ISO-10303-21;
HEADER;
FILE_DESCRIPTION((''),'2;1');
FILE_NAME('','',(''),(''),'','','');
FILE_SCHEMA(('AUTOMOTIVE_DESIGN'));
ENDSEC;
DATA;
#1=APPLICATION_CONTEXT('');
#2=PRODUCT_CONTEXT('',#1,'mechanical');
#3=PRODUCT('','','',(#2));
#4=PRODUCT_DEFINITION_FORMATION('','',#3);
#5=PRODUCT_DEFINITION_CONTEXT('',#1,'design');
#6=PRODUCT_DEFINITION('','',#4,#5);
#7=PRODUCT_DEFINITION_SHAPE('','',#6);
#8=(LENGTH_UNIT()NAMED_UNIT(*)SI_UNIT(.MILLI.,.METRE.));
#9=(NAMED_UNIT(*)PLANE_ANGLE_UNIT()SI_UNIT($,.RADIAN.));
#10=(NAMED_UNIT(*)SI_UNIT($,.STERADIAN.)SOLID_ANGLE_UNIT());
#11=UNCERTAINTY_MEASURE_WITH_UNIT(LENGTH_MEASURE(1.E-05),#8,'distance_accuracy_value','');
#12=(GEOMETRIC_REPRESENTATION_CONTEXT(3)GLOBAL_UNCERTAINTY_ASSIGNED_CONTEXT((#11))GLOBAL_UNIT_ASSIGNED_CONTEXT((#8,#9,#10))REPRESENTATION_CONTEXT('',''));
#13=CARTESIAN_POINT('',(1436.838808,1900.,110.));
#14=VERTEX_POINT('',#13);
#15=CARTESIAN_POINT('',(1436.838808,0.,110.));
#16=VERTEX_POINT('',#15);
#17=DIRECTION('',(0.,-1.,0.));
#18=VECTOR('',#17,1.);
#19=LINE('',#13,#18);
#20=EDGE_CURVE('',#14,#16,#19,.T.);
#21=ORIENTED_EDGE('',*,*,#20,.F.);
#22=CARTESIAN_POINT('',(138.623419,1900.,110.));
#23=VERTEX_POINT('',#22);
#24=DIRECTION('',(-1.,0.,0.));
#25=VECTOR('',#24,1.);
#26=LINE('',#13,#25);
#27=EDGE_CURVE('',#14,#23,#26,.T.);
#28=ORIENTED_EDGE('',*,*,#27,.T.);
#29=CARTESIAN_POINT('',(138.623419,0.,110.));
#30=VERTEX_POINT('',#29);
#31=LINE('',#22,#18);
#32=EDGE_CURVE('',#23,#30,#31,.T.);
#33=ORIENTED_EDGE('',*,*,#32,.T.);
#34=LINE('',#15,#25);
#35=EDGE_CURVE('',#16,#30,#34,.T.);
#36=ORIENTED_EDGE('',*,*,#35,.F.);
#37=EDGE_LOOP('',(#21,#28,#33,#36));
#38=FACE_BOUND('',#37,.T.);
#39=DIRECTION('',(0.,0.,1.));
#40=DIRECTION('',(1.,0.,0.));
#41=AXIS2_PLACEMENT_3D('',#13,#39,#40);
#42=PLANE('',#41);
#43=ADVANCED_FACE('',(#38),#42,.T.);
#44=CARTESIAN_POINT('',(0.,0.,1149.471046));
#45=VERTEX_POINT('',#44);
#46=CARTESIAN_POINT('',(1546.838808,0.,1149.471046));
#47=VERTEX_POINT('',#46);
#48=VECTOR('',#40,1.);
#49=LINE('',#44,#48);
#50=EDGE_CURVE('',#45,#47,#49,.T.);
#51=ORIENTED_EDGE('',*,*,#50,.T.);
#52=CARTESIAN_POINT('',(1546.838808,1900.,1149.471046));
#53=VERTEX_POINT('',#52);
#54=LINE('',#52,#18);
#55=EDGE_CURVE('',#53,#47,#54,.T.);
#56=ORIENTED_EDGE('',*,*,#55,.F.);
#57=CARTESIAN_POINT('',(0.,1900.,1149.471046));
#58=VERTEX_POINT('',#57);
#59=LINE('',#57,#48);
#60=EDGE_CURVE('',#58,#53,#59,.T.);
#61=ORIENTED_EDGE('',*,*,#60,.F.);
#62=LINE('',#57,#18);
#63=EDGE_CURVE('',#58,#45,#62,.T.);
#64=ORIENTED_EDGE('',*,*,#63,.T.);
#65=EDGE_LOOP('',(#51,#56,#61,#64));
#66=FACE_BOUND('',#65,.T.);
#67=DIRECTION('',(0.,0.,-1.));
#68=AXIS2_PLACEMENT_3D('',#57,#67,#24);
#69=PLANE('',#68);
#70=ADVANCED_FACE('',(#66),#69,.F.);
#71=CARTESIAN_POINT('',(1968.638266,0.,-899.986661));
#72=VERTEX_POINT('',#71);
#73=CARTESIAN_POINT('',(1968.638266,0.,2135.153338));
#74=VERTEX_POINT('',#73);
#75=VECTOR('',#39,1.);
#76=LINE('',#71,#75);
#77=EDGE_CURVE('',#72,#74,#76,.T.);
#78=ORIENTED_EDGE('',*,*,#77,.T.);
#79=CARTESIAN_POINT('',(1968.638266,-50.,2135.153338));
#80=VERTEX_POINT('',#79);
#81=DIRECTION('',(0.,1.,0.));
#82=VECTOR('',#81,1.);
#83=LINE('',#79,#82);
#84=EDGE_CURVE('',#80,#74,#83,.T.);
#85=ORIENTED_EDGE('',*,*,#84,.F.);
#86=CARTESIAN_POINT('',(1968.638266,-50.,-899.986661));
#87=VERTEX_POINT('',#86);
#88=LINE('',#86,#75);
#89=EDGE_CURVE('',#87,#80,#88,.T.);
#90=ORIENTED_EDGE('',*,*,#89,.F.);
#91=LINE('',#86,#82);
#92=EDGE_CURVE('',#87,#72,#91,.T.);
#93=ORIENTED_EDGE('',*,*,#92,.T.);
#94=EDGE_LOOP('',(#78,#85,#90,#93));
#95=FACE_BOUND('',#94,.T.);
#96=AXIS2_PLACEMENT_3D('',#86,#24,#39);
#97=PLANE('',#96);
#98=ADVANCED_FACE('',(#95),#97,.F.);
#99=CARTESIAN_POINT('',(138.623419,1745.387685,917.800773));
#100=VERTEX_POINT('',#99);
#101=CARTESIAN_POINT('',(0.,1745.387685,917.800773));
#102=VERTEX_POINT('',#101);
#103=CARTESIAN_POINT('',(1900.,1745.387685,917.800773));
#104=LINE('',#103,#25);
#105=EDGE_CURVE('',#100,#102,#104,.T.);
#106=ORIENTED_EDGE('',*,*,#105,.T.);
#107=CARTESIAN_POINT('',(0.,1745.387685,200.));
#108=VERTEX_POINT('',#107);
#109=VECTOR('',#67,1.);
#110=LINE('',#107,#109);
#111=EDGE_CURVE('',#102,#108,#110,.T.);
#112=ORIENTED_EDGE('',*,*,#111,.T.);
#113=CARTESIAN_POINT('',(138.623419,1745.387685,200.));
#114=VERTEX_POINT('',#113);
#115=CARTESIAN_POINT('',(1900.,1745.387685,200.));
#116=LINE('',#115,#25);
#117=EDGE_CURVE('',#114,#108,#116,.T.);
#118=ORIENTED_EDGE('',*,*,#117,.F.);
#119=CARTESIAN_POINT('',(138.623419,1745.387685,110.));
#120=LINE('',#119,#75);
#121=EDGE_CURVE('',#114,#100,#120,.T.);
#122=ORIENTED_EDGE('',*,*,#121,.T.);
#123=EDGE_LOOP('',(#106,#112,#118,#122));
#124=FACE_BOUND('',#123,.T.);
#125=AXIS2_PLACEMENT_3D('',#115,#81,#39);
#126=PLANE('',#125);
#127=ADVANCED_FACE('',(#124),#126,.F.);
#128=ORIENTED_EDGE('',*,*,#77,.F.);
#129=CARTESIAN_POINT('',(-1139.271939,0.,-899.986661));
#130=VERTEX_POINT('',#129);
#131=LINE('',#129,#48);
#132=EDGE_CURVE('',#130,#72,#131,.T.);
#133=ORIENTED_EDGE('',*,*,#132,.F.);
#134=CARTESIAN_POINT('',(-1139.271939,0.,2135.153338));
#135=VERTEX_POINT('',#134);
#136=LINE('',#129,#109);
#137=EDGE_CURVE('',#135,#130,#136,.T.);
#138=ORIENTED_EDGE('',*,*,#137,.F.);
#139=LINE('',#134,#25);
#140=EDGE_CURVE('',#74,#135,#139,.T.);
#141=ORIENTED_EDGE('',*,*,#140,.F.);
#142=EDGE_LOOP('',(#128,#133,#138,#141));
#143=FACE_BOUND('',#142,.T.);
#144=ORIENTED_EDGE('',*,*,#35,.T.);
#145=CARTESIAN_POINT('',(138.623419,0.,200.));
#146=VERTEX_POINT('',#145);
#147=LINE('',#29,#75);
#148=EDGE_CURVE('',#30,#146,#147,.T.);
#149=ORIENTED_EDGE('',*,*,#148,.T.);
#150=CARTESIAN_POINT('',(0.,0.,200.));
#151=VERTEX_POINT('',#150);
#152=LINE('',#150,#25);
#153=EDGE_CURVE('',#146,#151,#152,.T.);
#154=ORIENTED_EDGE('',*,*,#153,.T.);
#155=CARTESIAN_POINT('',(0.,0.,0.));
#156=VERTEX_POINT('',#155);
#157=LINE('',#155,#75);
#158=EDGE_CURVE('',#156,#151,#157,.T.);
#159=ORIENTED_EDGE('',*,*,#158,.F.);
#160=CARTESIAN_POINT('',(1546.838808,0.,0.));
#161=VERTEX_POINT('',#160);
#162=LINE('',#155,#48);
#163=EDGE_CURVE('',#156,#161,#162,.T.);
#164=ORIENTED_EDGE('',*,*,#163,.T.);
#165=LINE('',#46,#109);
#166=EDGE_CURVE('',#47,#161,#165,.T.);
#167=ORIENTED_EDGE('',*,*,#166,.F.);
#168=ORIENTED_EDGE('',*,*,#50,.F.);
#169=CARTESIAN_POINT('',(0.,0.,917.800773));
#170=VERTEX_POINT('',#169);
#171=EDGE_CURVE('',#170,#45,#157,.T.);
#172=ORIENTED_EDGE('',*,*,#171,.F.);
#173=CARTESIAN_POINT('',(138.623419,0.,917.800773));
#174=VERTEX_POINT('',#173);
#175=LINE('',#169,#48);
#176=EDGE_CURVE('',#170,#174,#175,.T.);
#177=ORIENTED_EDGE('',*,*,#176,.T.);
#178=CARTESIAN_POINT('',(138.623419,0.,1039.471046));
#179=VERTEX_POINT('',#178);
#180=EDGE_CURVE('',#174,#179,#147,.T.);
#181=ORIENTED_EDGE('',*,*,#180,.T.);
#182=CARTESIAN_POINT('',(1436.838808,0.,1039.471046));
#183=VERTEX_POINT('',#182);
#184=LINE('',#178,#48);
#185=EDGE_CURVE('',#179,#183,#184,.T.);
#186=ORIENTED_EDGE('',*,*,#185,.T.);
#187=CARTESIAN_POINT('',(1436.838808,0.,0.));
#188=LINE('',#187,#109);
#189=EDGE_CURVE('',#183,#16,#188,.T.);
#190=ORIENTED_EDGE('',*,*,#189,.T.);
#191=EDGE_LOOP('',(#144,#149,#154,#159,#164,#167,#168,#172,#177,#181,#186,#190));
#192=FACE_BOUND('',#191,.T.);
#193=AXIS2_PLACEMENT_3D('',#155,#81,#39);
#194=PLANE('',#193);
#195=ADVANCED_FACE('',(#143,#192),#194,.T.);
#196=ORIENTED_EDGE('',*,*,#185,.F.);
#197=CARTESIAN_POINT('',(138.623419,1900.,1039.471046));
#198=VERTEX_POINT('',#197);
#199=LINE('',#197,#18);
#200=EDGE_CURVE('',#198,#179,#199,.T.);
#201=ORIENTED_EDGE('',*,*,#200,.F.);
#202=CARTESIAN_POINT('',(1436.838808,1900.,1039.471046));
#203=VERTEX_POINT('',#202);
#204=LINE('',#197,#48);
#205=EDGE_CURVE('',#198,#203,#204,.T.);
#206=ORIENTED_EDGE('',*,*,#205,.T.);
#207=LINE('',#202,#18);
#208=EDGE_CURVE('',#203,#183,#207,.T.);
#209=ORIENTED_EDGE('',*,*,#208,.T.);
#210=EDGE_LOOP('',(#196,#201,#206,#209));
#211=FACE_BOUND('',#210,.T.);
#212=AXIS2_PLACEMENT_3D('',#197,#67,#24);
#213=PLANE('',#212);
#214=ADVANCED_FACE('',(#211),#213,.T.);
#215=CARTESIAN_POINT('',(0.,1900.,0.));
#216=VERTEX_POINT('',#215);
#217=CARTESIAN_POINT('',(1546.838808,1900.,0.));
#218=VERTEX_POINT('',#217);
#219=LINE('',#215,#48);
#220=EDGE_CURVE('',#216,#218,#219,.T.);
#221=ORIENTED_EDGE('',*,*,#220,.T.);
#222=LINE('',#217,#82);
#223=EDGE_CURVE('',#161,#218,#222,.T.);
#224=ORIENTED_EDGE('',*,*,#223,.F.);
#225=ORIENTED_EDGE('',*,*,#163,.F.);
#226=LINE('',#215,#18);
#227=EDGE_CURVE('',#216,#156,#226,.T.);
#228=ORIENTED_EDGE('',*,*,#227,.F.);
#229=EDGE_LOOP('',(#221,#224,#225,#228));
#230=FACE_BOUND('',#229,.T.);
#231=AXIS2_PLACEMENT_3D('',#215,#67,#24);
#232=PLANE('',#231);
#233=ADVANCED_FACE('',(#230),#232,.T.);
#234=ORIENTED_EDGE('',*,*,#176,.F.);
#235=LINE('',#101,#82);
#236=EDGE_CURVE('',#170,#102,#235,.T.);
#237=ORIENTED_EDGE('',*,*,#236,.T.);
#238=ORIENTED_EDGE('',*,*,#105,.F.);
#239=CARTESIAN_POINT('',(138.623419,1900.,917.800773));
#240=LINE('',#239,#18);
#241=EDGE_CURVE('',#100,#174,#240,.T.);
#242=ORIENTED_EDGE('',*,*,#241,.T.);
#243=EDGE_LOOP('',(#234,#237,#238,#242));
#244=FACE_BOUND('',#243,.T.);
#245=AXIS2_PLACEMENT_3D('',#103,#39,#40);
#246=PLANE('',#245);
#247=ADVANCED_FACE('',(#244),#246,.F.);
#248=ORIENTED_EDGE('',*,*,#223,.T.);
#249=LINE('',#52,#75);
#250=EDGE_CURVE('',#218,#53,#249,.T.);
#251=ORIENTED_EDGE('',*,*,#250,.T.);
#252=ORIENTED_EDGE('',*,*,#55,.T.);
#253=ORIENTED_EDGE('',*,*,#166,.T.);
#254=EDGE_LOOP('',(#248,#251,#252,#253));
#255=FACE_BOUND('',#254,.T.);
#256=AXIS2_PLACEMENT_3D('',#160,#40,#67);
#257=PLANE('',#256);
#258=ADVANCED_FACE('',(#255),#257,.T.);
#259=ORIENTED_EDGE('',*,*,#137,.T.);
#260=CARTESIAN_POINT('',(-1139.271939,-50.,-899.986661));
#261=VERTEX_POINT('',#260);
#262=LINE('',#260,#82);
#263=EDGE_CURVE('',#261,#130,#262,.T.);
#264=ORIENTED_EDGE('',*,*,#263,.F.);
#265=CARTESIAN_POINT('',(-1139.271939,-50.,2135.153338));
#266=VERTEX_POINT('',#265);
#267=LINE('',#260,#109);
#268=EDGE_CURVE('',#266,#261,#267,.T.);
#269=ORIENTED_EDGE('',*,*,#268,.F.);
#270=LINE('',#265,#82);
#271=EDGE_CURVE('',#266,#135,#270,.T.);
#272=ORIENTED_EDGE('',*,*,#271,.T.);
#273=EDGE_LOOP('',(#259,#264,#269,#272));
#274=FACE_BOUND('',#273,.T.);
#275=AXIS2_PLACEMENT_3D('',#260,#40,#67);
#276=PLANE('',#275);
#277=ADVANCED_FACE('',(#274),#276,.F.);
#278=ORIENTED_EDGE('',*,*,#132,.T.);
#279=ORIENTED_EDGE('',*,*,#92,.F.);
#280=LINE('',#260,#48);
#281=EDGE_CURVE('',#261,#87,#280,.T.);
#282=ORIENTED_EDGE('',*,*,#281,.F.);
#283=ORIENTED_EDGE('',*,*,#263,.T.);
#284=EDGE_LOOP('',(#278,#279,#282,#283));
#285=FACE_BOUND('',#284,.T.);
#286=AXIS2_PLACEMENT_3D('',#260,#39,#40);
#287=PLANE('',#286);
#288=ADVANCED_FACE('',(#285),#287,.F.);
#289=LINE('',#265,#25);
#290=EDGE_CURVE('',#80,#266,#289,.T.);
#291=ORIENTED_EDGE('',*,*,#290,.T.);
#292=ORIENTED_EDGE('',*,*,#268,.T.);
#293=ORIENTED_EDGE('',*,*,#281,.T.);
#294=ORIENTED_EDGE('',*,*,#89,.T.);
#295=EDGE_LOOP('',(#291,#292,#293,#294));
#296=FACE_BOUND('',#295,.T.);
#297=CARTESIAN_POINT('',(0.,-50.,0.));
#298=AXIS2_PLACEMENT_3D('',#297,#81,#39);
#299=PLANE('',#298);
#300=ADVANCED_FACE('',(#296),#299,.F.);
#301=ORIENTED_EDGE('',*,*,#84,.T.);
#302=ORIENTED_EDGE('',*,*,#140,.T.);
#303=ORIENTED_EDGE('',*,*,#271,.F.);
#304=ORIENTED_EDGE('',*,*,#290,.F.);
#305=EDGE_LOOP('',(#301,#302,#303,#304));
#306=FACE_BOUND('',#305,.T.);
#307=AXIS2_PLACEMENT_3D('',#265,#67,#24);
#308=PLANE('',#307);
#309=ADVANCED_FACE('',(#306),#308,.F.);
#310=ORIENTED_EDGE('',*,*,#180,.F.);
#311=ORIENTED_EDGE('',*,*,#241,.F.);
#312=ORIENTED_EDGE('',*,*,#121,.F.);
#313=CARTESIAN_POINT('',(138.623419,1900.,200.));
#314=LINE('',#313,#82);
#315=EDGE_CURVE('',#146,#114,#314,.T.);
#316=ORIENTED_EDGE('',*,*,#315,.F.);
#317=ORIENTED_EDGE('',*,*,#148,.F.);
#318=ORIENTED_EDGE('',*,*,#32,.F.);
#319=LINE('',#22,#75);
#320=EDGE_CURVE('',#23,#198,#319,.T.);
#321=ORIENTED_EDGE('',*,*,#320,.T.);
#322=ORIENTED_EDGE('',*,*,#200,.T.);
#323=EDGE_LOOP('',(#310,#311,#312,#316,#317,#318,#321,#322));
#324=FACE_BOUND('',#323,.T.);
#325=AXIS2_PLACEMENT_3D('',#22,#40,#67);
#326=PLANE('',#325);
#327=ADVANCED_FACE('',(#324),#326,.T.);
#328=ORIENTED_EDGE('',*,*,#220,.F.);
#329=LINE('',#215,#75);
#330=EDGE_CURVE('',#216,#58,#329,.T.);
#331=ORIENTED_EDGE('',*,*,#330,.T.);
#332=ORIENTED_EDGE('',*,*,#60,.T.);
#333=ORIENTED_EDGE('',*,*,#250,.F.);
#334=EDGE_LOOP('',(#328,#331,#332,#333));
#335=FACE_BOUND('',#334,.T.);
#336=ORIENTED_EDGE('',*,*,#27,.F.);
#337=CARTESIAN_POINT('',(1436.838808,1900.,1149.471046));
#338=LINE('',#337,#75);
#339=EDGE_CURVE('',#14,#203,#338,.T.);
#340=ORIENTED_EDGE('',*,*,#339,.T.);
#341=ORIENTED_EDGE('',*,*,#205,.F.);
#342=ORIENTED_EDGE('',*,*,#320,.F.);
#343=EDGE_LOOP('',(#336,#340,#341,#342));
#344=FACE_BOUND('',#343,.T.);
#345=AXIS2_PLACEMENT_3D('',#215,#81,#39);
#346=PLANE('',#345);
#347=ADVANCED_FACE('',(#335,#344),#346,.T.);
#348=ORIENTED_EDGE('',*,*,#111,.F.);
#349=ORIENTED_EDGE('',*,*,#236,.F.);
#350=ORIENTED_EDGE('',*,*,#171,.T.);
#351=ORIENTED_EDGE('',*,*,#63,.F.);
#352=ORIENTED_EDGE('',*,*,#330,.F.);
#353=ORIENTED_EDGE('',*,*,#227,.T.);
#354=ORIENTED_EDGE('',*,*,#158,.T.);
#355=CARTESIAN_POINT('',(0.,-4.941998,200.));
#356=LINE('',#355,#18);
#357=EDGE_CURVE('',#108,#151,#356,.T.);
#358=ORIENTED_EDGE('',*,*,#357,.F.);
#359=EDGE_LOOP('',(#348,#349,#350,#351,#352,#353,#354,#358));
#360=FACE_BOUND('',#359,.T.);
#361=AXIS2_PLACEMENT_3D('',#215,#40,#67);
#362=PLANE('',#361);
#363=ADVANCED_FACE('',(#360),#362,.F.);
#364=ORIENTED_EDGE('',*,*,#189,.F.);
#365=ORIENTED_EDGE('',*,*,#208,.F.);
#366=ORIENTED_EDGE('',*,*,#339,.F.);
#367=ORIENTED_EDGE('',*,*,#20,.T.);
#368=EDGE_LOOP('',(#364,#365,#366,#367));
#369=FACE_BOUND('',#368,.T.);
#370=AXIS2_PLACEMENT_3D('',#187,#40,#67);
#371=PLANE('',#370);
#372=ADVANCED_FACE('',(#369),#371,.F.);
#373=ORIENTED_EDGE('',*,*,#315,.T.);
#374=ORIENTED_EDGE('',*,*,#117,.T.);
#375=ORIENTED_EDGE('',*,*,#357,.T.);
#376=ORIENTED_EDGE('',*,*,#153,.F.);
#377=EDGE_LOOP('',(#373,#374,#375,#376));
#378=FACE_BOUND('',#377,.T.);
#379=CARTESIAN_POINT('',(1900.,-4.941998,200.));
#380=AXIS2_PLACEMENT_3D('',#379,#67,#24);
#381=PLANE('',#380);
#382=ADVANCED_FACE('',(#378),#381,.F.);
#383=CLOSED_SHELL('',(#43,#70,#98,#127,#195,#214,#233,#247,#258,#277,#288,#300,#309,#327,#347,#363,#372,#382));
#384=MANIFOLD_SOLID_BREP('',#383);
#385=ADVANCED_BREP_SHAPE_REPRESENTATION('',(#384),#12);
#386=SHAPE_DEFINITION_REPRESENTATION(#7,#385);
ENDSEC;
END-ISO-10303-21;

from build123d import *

# Parameters (mm, degrees)
BOSS_EXTRUDE2_DEPTH = 1900
SKETCH6_W           = 717.800772957
SKETCH6_H           = 1750.329682958
CUT_EXTRUDE1_DEPTH  = 1900
SKETCH7_W           = 3107.9102049
SKETCH7_H           = 3035.139999399
BOSS_EXTRUDE3_DEPTH = 50
SKETCH9_W           = 1149.471046449
SKETCH9_H           = 1900
BOSS_EXTRUDE4_DEPTH = 110


with BuildPart() as part:
    # Sketch3 → Boss-Extrude2 (new body)
    with BuildSketch(Plane(origin=(0, 0, 0), x_dir=(1, 0, 0), z_dir=(0, 1, 0))):
        Polygon((0, 0), (1436.838808061, 0), (1436.838808061, -110), (138.623418893, -110), (138.623418893, -1039.471046449), (1436.838808061, -1039.471046449), (1436.838808061, -1149.471046449), (0, -1149.471046449), align=None)
    extrude(amount=BOSS_EXTRUDE2_DEPTH)

    # Sketch6 → Cut-Extrude1 (cut)
    with BuildSketch(Plane.ZY):
        with Locations((558.900386478, 870.222843645)):
            Rectangle(SKETCH6_W, SKETCH6_H)
    extrude(amount=-CUT_EXTRUDE1_DEPTH, mode=Mode.SUBTRACT)

    # Sketch7 → Boss-Extrude3 (add)
    with BuildSketch(Plane(origin=(0, 0, 0), x_dir=(-1, 0, 0), z_dir=(0, -1, 0))):
        with Locations((-414.683163696, -617.583338218)):
            Rectangle(SKETCH7_W, SKETCH7_H)
    extrude(amount=BOSS_EXTRUDE3_DEPTH)

    # Sketch9 → Boss-Extrude4 (add)
    with BuildSketch(Plane(origin=(1436.838808061, 0, 0), x_dir=(0, 0, -1), z_dir=(1, 0, 0))):
        with Locations((-574.735523225, 950)):
            Rectangle(SKETCH9_W, SKETCH9_H)
    extrude(amount=BOSS_EXTRUDE4_DEPTH)


solid = part.part
